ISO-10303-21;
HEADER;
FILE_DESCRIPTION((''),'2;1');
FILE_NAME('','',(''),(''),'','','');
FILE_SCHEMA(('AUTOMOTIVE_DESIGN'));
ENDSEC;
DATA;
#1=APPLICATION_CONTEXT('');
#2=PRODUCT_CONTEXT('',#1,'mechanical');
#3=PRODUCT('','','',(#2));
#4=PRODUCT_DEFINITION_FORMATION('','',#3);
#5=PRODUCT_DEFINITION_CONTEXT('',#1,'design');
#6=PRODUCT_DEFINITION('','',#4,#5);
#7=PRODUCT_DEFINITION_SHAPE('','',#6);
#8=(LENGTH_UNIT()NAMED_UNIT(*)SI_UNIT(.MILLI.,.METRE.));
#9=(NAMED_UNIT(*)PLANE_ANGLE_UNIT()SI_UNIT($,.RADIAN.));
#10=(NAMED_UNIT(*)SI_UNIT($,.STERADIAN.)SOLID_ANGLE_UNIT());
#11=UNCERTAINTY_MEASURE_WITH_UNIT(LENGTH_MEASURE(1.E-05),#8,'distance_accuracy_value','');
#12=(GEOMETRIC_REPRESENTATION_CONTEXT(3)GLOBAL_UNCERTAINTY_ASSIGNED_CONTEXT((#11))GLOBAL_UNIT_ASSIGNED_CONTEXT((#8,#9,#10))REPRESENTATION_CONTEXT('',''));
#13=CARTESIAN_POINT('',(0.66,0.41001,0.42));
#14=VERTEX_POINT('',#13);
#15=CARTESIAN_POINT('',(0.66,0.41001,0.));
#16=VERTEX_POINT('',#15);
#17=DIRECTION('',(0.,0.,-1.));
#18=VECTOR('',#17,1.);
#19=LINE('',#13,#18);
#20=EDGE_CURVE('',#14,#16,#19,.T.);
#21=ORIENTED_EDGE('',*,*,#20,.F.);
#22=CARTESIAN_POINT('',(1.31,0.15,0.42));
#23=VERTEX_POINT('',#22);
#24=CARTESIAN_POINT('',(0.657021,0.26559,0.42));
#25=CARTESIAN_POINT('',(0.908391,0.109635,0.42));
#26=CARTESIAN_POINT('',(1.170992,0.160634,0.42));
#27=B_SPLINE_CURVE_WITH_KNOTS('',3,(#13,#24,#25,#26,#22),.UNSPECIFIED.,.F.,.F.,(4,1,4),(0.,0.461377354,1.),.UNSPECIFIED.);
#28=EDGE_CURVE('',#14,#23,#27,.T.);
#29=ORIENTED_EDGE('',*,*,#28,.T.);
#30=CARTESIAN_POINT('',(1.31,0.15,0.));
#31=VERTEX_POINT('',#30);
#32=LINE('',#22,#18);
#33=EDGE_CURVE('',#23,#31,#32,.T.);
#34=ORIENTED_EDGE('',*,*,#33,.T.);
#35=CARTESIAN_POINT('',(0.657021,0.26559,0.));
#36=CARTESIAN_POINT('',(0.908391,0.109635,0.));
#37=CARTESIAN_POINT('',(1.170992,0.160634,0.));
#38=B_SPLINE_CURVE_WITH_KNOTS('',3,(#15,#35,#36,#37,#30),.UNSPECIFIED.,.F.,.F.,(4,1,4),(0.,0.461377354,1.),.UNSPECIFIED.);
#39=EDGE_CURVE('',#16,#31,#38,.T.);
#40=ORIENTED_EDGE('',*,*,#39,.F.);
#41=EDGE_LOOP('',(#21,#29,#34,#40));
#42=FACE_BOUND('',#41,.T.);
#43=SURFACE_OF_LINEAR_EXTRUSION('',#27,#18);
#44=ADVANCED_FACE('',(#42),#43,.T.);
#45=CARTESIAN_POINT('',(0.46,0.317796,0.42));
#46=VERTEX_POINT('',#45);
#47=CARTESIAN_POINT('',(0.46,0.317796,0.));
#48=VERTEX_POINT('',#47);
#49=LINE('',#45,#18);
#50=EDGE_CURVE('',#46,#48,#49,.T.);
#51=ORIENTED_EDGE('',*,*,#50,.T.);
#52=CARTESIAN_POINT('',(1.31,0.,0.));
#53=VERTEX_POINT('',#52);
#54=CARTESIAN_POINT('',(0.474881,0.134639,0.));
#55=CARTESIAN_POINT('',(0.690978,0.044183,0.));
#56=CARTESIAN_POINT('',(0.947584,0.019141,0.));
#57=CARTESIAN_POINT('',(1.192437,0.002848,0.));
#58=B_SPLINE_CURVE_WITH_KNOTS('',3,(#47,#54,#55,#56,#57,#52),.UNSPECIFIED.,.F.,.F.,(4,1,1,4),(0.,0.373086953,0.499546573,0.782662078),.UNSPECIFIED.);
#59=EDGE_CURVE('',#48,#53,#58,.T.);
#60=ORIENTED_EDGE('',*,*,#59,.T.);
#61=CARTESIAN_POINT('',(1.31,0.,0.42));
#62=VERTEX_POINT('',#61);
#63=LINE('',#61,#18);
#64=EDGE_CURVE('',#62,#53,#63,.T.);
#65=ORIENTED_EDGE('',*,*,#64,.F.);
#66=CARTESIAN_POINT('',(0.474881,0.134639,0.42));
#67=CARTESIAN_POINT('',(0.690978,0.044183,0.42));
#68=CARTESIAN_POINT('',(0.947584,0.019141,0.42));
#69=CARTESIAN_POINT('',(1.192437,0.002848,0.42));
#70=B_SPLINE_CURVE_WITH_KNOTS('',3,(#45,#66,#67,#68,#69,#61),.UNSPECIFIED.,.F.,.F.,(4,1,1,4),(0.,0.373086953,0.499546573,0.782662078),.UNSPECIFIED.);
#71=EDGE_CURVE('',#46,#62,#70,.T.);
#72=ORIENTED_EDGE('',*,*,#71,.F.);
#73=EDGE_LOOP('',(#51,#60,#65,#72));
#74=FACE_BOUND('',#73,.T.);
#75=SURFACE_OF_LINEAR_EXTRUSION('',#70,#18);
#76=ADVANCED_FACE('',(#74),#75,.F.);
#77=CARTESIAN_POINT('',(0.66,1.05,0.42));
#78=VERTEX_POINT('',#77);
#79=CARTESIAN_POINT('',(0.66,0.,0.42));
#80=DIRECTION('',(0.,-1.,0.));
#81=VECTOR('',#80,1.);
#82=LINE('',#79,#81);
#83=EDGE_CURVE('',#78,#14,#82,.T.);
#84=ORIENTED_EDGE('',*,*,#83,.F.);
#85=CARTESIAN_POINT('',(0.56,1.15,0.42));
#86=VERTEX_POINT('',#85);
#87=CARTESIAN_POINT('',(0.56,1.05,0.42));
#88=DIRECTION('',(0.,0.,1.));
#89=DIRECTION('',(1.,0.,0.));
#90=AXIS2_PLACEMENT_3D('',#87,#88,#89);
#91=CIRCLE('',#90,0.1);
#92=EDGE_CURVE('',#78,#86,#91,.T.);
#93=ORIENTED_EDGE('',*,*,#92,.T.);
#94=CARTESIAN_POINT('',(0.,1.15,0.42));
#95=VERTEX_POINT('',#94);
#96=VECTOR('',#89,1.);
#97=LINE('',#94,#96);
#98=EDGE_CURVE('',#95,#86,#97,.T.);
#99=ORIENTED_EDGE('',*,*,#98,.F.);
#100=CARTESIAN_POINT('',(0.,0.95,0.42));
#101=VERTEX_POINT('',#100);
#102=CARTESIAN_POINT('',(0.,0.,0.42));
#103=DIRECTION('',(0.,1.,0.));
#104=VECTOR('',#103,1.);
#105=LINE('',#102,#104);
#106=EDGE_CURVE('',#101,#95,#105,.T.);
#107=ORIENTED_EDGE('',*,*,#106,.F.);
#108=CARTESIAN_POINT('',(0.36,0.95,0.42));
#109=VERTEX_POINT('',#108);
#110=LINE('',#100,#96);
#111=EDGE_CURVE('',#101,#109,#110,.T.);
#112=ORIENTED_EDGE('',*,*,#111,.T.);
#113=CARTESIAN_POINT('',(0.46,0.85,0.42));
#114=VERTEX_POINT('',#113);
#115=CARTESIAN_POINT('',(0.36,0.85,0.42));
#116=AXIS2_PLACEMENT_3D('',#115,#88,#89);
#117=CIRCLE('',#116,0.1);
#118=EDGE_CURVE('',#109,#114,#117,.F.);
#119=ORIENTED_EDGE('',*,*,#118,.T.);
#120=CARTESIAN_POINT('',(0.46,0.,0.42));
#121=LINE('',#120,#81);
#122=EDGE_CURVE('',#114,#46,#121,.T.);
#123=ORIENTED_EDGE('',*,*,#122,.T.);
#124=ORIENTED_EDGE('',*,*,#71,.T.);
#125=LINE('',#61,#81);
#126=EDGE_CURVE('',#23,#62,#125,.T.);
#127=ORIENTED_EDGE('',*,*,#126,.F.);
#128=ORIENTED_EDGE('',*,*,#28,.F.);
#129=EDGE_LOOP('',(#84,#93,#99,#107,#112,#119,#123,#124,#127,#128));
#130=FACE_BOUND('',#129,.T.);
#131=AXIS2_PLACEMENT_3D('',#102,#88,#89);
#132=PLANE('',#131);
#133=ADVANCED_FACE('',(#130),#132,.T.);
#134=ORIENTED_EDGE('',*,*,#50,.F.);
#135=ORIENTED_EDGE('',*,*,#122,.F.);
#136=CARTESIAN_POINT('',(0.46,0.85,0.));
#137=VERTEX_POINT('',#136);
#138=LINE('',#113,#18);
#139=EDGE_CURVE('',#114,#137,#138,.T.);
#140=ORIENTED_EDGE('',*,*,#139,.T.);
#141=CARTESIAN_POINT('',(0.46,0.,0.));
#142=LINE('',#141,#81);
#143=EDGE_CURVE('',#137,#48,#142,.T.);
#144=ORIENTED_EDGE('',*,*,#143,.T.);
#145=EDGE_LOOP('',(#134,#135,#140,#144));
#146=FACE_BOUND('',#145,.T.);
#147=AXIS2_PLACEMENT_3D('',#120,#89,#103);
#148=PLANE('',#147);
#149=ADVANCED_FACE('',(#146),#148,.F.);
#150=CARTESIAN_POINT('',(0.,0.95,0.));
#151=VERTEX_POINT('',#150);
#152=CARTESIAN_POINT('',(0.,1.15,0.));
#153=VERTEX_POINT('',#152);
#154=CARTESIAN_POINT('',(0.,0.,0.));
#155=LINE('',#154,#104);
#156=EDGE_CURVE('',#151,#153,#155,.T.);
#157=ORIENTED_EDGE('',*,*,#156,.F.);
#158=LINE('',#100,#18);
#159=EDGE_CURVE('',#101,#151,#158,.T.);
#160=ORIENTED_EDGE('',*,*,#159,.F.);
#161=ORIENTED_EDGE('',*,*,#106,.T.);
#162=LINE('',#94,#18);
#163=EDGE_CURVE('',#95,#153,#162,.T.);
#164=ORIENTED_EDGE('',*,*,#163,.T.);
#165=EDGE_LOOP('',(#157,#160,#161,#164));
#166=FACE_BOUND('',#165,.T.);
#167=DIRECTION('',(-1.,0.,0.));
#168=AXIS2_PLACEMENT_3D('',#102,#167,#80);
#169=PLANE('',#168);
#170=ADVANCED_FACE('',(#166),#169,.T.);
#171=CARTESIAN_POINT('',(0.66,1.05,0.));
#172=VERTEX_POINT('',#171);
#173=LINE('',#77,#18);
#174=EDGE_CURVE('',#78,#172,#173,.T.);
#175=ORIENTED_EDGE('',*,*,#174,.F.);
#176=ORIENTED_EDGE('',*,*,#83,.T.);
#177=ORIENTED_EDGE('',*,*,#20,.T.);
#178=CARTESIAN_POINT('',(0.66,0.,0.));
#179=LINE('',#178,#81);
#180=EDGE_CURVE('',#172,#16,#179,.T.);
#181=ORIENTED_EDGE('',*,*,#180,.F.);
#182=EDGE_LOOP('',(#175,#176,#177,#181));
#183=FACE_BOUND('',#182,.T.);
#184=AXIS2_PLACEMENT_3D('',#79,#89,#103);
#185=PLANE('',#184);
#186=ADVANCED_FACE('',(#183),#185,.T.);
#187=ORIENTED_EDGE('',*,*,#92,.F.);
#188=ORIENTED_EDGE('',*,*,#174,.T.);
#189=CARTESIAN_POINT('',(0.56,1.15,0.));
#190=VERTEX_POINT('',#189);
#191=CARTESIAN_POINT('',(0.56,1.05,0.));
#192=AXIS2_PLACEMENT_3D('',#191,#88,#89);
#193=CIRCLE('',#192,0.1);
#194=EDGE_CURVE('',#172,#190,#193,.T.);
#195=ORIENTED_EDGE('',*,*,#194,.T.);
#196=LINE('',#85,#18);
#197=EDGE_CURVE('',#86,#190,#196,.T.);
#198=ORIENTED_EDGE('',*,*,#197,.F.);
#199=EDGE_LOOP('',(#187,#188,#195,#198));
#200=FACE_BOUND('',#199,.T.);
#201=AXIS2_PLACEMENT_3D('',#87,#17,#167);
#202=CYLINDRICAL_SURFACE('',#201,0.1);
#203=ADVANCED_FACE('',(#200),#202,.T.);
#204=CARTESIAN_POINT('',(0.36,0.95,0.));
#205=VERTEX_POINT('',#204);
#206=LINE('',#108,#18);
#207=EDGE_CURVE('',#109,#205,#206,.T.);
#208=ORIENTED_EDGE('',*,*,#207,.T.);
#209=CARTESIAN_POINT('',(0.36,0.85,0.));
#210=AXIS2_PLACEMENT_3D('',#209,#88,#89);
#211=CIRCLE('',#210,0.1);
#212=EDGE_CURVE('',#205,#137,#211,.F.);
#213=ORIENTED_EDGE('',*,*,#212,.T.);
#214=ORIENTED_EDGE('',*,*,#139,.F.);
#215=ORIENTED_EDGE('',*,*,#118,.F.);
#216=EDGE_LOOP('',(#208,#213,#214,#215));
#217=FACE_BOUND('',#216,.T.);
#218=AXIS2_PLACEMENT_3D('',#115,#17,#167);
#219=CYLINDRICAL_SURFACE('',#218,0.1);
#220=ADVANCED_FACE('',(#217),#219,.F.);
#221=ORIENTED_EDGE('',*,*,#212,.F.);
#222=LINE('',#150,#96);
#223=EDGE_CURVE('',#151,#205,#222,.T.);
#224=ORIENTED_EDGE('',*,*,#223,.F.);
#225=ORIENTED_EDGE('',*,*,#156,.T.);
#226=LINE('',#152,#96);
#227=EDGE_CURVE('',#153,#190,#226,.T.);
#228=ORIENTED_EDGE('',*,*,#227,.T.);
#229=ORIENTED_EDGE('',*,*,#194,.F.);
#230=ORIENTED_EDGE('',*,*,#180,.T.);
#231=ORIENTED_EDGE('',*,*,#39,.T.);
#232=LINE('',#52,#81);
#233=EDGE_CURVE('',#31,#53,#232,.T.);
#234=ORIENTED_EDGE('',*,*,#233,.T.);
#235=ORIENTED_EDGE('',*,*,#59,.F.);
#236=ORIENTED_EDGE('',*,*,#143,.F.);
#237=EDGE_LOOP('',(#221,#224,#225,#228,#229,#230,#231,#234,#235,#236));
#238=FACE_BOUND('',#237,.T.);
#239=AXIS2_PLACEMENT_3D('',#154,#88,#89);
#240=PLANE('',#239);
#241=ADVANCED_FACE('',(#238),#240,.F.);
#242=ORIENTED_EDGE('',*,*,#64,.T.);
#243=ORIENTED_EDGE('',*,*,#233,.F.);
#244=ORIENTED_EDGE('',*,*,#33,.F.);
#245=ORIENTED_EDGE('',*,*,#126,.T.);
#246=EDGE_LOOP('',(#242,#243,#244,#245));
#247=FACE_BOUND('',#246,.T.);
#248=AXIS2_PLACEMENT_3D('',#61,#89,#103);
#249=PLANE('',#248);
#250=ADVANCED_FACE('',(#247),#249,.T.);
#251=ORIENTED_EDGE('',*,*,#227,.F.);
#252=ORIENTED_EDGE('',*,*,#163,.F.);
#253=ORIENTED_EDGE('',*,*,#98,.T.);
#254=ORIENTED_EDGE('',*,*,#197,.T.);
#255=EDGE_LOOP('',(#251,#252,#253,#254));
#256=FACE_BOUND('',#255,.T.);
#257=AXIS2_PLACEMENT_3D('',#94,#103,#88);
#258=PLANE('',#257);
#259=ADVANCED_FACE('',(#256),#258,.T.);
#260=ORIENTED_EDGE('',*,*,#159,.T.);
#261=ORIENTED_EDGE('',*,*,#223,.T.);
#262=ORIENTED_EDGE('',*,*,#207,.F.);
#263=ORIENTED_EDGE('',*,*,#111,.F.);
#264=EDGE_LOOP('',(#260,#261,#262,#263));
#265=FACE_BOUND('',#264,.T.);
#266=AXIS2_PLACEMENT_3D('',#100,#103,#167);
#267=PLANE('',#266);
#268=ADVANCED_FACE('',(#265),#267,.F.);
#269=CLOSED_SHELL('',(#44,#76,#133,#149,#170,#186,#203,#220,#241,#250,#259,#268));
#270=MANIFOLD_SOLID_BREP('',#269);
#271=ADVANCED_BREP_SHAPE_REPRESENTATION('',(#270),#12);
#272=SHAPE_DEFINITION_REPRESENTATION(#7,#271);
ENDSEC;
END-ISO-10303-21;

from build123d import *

# Parameters (mm, degrees)
BOSS_EXTRUDE1_DEPTH = 0.42


with BuildPart() as part:
    # Sketch1 → Boss-Extrude1 (new body)
    with BuildSketch(Plane.XY):
        with BuildLine():
            Line((0, 1.15), (0, 0.95))
            Line((0, 0.95), (0.36, 0.95))
            ThreePointArc((0.36, 0.95), (0.430710678, 0.920710678), (0.46, 0.85))
            Line((0.46, 0.85), (0.46, 0.317796194))
            add(Edge.make_bspline(
                [(0.46, 0.317796194), (0.474880606, 0.134638656), (0.690978233, 0.044183094), (0.947584463, 0.019140746), (1.192436941, 0.002848408), (1.31, 0)],
                knots=[0, 0, 0, 0, 0.373086953, 0.499546573, 0.782662078, 0.782662078, 0.782662078, 0.782662078], degree=3))
            Line((1.31, 0), (1.31, 0.15))
            add(Edge.make_bspline(
                [(0.66, 0.410010409), (0.657020771, 0.26558954), (0.908391178, 0.109635419), (1.170992072, 0.160633721), (1.31, 0.15)],
                knots=[0, 0, 0, 0, 0.461377354, 1, 1, 1, 1], degree=3))
            Line((0.66, 0.410010409), (0.66, 1.05))
            ThreePointArc((0.66, 1.05), (0.630710678, 1.120710678), (0.56, 1.15))
            Line((0.56, 1.15), (0, 1.15))
        make_face()
    extrude(amount=BOSS_EXTRUDE1_DEPTH)


solid = part.part
